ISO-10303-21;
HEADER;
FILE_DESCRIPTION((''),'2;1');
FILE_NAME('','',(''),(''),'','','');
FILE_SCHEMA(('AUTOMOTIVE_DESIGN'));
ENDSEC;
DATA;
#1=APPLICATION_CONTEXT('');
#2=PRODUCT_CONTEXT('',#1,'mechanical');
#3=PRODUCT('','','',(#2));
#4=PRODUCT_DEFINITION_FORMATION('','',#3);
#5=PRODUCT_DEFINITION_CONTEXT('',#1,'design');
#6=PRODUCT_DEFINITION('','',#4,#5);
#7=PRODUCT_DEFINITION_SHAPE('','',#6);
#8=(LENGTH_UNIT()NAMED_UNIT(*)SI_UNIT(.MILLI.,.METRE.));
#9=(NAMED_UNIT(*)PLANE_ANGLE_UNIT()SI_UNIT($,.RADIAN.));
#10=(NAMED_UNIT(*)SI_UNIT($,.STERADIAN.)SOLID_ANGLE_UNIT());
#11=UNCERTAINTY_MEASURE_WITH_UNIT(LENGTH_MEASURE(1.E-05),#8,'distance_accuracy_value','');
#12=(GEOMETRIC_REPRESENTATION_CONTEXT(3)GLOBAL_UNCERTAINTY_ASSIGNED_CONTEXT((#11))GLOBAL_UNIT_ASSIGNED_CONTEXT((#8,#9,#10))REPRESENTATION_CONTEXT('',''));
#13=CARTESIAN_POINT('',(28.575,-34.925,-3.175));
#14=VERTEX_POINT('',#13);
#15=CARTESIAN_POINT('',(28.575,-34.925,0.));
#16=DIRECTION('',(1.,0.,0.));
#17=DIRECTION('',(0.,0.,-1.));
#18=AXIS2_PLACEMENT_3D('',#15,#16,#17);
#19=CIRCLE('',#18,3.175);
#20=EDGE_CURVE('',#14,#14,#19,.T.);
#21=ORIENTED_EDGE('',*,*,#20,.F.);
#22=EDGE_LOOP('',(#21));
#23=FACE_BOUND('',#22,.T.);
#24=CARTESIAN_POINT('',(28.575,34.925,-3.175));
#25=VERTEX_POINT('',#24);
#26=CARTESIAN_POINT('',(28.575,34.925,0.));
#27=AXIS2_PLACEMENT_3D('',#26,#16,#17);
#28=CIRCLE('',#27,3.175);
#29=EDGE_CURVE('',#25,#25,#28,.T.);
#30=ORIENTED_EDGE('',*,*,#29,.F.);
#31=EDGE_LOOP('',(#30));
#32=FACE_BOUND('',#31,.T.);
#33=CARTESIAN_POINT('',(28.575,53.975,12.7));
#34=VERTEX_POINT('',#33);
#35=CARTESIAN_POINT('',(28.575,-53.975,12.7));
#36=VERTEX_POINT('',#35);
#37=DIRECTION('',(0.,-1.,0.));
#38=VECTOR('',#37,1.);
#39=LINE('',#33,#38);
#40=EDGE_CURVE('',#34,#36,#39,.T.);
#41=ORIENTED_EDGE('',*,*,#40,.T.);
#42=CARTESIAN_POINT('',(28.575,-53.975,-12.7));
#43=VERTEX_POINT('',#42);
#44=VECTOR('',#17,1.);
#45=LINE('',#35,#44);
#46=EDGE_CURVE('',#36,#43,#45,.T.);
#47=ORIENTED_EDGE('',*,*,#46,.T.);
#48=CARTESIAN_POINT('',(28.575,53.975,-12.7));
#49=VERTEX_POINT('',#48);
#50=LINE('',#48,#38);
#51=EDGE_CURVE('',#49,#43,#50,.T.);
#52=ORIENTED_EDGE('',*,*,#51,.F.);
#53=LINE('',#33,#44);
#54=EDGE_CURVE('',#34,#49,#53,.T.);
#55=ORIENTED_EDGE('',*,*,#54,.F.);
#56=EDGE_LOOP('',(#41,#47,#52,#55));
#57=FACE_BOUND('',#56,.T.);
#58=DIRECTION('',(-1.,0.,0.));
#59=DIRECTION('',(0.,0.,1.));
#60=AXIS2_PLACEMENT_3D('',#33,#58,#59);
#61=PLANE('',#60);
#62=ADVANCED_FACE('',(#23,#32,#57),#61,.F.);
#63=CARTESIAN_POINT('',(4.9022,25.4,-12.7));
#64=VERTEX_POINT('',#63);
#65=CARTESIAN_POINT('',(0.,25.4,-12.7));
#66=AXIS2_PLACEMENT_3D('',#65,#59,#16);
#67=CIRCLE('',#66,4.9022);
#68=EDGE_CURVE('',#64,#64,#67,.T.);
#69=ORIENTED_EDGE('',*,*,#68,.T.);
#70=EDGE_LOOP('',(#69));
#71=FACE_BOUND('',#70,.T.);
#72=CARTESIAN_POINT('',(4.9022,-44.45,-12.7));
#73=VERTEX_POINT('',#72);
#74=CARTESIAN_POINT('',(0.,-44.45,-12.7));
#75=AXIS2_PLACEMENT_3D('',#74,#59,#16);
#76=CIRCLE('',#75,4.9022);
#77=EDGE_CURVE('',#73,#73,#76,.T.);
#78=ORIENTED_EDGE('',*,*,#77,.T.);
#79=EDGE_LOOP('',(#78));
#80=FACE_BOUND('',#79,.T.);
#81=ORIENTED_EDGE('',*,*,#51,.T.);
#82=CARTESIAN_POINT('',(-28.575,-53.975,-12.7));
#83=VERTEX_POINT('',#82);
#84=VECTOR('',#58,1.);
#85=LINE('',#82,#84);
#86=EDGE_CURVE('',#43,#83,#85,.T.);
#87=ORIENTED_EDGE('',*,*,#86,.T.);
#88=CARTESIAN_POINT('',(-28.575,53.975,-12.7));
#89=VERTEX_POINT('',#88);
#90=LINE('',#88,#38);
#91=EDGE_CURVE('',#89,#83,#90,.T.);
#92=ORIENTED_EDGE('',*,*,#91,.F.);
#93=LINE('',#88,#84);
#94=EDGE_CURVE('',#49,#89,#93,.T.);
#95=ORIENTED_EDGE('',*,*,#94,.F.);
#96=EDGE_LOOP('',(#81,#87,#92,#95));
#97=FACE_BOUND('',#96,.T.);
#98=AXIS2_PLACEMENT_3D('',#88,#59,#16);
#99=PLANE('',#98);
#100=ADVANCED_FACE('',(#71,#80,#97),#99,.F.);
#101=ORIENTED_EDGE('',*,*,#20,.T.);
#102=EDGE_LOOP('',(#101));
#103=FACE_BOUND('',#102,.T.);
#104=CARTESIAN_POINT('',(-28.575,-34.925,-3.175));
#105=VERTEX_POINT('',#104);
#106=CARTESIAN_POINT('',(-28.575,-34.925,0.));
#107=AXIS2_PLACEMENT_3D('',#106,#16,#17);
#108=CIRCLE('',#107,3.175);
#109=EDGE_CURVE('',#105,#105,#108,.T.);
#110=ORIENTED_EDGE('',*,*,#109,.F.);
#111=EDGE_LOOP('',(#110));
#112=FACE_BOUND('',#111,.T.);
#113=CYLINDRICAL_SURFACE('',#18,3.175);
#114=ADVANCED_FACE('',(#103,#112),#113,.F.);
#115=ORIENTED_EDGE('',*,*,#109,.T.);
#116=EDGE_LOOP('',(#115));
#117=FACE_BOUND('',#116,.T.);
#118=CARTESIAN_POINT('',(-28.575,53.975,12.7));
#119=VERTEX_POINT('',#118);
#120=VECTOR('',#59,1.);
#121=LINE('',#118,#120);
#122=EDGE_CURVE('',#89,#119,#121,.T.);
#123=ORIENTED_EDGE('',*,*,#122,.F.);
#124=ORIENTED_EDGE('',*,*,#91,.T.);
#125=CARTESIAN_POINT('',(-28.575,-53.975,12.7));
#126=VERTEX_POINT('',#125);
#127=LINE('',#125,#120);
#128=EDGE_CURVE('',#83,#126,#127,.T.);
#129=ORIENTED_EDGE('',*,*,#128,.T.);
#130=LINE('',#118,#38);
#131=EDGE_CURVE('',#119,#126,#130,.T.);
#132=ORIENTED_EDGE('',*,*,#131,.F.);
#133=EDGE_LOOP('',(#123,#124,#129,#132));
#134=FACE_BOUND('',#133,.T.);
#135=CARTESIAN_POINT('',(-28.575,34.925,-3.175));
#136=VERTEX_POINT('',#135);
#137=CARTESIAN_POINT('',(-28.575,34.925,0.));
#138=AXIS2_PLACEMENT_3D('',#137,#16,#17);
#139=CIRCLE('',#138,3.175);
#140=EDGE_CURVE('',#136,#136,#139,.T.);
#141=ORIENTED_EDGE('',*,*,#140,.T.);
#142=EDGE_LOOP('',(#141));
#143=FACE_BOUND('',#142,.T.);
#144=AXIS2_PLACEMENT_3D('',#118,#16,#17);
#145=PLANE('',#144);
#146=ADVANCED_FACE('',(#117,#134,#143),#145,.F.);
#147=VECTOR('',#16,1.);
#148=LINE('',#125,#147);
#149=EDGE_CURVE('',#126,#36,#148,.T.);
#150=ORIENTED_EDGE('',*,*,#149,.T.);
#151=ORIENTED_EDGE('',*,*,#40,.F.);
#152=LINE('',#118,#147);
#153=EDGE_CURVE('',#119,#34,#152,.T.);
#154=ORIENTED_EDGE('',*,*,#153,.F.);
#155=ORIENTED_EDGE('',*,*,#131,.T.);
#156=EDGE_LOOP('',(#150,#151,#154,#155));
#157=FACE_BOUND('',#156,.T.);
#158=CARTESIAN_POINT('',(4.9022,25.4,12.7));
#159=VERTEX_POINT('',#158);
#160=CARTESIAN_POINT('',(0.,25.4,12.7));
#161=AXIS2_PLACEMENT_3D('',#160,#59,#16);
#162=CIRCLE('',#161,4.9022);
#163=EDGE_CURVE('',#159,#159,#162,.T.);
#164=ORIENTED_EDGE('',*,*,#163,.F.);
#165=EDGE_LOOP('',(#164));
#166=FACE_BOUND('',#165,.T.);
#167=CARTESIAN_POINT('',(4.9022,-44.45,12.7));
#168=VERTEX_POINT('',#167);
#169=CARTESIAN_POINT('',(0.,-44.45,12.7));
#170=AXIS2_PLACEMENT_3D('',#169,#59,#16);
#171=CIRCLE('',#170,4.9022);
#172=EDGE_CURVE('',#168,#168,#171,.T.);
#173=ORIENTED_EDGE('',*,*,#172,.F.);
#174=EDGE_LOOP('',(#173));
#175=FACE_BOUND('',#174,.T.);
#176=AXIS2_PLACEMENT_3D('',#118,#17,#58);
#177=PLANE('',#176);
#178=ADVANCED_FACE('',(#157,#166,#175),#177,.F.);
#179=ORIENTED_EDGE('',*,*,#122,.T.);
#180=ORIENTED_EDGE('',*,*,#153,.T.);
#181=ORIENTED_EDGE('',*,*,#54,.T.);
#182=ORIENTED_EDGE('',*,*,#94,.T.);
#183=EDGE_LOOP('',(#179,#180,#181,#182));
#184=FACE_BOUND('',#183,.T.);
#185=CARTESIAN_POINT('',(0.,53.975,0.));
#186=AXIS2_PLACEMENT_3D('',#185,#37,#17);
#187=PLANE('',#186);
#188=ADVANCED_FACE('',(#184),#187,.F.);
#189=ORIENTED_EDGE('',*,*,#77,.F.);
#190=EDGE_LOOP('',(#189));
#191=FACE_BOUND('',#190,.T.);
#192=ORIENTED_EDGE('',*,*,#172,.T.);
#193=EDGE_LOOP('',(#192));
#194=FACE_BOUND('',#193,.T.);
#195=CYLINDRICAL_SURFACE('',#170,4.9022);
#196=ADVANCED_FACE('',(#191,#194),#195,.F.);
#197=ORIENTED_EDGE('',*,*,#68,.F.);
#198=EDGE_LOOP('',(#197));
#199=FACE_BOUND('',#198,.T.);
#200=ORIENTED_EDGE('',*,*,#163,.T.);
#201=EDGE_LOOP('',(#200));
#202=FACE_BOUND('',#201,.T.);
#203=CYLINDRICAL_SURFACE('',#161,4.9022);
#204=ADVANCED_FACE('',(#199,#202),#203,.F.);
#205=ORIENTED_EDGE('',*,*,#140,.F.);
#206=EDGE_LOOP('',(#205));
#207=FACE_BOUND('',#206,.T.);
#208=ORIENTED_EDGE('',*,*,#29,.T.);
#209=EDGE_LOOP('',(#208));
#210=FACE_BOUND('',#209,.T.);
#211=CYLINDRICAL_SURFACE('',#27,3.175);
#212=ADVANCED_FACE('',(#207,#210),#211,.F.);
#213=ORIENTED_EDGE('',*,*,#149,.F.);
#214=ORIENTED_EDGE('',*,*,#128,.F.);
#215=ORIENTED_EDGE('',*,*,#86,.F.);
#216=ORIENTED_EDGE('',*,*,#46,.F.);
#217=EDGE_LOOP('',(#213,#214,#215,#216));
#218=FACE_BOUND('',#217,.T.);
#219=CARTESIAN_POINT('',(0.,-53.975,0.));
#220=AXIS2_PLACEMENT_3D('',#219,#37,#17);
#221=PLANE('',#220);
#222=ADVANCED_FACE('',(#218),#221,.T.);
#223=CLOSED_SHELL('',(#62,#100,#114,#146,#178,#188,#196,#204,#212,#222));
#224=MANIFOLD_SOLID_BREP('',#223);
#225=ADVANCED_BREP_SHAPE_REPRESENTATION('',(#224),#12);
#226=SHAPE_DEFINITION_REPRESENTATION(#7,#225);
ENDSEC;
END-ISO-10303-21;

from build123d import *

# Parameters (mm, degrees)
SKETCH1_W                   = 57.15
SKETCH1_H                   = 25.4
BOSS_EXTRUDE1_DEPTH         = 53.975
F_1_4_0_25_DIAMETER_HOLE1_D = 6.35
F_3_8_CLEARANCE_HOLE1_D     = 9.8044


with BuildPart() as part:
    # Sketch1 → Boss-Extrude1 (new, symmetric)
    with BuildSketch(Plane(origin=(0, 0, 0), x_dir=(1, 0, 0), z_dir=(0, 1, 0))):
        Rectangle(SKETCH1_W, SKETCH1_H)
    extrude(amount=BOSS_EXTRUDE1_DEPTH, both=True)

    # 1/4 (0.25) Diameter Hole1 (through all)
    with Locations(Plane(origin=(28.575, 0, 0), x_dir=(0, 0, -1), z_dir=(1, 0, 0))):
        with Locations((0, -34.925), (0, 34.925)):
            Hole(F_1_4_0_25_DIAMETER_HOLE1_D / 2)

    # 3/8 Clearance Hole1 (through all)
    with Locations(Plane.XY.offset(12.7)):
        with Locations((0, -44.45), (0, 25.4)):
            Hole(F_3_8_CLEARANCE_HOLE1_D / 2)


solid = part.part
